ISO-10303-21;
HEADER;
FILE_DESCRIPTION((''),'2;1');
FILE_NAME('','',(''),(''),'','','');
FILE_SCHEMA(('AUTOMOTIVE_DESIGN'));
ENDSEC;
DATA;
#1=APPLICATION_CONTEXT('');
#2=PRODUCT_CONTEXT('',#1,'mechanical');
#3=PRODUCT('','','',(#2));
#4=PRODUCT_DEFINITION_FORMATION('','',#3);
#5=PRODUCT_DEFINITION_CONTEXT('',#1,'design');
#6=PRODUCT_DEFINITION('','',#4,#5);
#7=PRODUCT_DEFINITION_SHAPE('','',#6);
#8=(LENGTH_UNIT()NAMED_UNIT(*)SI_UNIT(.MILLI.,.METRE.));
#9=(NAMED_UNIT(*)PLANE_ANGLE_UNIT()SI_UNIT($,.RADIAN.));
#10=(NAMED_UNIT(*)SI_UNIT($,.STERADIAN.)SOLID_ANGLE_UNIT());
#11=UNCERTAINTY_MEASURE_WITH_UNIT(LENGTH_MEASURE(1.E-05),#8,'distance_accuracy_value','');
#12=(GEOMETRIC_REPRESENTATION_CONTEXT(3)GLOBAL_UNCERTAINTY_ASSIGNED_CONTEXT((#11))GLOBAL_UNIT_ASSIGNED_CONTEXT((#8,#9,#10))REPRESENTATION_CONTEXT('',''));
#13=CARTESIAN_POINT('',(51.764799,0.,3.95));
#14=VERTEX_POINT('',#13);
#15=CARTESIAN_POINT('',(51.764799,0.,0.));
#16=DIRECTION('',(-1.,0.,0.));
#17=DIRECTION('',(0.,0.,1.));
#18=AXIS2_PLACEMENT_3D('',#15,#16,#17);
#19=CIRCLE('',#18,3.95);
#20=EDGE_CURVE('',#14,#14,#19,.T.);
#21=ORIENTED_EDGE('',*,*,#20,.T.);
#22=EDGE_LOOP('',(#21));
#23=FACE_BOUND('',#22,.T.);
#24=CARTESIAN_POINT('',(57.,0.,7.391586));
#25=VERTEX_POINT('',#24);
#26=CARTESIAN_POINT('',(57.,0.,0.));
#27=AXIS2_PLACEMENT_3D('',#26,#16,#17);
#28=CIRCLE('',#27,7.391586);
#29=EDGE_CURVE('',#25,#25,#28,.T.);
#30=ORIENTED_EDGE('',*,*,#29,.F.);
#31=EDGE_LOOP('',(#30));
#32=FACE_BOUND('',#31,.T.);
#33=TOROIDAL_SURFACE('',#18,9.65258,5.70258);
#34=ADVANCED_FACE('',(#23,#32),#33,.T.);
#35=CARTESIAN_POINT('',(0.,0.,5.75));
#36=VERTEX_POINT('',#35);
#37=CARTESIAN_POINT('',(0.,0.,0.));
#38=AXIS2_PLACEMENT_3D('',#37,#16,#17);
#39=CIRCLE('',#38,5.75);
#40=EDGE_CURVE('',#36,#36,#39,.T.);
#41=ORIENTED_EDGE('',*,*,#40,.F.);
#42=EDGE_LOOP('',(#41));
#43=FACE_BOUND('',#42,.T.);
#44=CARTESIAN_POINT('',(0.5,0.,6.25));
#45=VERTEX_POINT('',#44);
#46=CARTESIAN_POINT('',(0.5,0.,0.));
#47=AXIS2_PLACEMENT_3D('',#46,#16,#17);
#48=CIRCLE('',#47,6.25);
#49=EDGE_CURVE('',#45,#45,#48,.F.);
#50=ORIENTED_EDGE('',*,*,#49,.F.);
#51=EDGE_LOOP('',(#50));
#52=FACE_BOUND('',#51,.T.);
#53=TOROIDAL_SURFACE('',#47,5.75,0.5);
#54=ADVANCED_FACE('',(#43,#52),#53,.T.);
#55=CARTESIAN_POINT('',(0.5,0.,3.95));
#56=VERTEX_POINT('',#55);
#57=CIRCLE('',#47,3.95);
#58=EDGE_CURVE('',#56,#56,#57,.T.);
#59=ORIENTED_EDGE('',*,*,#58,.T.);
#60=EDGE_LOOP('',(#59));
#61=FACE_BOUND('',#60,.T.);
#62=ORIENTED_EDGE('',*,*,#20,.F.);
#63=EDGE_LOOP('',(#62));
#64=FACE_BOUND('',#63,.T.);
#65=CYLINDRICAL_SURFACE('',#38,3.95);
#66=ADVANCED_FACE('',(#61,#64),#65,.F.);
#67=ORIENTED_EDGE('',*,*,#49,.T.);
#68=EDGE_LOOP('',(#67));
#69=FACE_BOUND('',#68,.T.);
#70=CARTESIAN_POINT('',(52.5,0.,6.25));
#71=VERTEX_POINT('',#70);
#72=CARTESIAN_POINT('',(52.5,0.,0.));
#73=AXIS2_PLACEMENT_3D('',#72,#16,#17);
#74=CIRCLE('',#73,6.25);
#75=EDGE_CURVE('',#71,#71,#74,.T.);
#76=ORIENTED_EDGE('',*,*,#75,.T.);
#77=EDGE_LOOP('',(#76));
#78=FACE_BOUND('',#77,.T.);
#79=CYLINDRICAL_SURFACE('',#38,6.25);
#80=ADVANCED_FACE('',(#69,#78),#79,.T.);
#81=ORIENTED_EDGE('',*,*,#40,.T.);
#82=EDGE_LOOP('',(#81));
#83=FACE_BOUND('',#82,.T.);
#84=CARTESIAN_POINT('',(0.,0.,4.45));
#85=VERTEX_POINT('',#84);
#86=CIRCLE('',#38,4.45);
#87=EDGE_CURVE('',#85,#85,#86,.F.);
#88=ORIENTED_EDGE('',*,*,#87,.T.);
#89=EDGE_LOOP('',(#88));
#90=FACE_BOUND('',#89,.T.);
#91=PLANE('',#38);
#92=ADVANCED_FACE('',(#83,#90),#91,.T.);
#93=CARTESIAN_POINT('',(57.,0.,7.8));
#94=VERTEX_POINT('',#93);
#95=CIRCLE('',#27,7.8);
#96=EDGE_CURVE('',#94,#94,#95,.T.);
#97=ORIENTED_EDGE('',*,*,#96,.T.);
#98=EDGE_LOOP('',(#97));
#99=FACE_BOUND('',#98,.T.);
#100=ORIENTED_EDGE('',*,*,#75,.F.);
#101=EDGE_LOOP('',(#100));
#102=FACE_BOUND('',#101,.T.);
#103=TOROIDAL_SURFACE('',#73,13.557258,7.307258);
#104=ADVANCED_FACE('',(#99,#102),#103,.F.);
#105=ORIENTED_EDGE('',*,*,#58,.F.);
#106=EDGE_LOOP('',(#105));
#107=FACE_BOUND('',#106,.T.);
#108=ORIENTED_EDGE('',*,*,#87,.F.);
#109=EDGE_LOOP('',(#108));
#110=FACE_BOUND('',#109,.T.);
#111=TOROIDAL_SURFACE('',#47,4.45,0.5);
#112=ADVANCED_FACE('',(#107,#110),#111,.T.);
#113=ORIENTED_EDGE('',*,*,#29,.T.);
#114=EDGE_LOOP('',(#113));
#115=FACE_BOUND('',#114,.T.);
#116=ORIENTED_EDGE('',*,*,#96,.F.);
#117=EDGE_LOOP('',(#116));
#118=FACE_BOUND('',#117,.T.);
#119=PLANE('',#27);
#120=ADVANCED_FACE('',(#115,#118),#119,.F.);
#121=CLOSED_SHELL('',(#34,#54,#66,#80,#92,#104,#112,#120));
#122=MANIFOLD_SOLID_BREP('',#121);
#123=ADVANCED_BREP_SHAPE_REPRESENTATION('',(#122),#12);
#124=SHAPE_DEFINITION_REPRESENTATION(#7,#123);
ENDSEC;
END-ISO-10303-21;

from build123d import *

# Parameters (mm, degrees)
FILLET1_R = 0.5


with BuildPart() as part:
    # Sketch1 → Revolve1 (revolve)
    with BuildSketch(Plane.XY, mode=Mode.PRIVATE) as revolve1_sk:
        with BuildLine():
            Line((0, 6.25), (0, 3.95))
            Line((0, 3.95), (51.764799444, 3.95))
            ThreePointArc((51.764799444, 3.95), (54.897363756, 4.887450418), (57, 7.391585654))
            Line((57, 7.391585654), (57, 7.8))
            ThreePointArc((57, 7.8), (54.879732128, 6.648358339), (52.5, 6.25))
            Line((52.5, 6.25), (0, 6.25))
        make_face()
    revolve(revolve1_sk.sketch.rotate(Axis((0, 0, 0), (1, 0, 0)), 90), axis=Axis((0, 0, 0), (1, 0, 0)))

    # Fillet1
    fillet1_edges = [part.edges().sort_by_distance(p)[0] for p in [
        (0, 0, -3.95),
        (0, 0, -6.25),
    ]]
    fillet(fillet1_edges, radius=FILLET1_R)


solid = part.part
